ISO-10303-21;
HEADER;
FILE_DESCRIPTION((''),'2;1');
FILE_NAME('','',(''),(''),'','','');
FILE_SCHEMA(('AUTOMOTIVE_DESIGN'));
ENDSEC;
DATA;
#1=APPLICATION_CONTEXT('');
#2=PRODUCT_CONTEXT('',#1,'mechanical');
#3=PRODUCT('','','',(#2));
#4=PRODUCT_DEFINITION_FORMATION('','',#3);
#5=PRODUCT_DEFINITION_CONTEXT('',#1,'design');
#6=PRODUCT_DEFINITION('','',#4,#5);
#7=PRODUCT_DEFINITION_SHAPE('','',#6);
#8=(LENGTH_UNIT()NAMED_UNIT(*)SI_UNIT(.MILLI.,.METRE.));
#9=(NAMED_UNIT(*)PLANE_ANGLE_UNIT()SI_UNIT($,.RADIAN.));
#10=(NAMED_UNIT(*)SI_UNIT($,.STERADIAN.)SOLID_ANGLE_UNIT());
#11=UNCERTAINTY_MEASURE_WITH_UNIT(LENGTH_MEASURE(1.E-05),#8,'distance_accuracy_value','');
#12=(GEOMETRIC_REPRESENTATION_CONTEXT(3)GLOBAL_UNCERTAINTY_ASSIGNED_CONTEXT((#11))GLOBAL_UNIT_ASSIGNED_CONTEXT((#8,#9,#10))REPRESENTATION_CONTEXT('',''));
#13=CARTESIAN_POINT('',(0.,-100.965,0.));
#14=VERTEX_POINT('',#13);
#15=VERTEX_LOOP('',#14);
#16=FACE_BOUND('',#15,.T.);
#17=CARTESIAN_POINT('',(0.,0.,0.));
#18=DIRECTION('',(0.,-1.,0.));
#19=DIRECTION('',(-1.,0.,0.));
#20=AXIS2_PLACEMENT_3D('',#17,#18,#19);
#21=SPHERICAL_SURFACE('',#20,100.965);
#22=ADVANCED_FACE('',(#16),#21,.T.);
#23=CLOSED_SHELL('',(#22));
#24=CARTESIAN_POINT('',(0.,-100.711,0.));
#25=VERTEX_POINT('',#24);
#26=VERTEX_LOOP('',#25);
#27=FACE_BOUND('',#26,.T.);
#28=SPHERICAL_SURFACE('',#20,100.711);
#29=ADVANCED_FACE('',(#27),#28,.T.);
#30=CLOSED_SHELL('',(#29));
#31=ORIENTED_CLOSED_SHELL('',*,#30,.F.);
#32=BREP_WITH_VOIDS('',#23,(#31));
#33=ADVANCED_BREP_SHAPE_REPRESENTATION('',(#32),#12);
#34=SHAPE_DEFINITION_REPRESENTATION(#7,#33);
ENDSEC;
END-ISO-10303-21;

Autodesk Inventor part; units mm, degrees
ref_plane "YZ Plane" through (0, 0, 0) normal (1, 0, 0) x (0, 1, 0)
ref_plane "XZ Plane" through (0, 0, 0) normal (0, 1, 0) x (-1, 0, 0)
ref_plane "XY Plane" through (0, 0, 0) normal (0, 0, 1) x (1, 0, 0)
sketch "Sketch1" plane through (0, 0, 0) normal (0, 0, 1) x (1, 0, 0)
  arc A0 (0, 100.965) -> (0, -100.965) centre (0, 0) ccw
  arc A1 (0, 100.711) -> (0, -100.711) centre (0, 0) ccw
  line L0 (0, 100.965) -> (0, 100.711)
  line L1 (0, -100.711) -> (0, -100.965)
  dimension "d0" = 100.965
  dimension "d2" = 0.254
revolve "Revolution2" add sketch "Sketch1" angle 360 about axis through (0, 100.965, 0) along (0, -1, 0)
properties part number "Ball" material "Wood (Birch)"
